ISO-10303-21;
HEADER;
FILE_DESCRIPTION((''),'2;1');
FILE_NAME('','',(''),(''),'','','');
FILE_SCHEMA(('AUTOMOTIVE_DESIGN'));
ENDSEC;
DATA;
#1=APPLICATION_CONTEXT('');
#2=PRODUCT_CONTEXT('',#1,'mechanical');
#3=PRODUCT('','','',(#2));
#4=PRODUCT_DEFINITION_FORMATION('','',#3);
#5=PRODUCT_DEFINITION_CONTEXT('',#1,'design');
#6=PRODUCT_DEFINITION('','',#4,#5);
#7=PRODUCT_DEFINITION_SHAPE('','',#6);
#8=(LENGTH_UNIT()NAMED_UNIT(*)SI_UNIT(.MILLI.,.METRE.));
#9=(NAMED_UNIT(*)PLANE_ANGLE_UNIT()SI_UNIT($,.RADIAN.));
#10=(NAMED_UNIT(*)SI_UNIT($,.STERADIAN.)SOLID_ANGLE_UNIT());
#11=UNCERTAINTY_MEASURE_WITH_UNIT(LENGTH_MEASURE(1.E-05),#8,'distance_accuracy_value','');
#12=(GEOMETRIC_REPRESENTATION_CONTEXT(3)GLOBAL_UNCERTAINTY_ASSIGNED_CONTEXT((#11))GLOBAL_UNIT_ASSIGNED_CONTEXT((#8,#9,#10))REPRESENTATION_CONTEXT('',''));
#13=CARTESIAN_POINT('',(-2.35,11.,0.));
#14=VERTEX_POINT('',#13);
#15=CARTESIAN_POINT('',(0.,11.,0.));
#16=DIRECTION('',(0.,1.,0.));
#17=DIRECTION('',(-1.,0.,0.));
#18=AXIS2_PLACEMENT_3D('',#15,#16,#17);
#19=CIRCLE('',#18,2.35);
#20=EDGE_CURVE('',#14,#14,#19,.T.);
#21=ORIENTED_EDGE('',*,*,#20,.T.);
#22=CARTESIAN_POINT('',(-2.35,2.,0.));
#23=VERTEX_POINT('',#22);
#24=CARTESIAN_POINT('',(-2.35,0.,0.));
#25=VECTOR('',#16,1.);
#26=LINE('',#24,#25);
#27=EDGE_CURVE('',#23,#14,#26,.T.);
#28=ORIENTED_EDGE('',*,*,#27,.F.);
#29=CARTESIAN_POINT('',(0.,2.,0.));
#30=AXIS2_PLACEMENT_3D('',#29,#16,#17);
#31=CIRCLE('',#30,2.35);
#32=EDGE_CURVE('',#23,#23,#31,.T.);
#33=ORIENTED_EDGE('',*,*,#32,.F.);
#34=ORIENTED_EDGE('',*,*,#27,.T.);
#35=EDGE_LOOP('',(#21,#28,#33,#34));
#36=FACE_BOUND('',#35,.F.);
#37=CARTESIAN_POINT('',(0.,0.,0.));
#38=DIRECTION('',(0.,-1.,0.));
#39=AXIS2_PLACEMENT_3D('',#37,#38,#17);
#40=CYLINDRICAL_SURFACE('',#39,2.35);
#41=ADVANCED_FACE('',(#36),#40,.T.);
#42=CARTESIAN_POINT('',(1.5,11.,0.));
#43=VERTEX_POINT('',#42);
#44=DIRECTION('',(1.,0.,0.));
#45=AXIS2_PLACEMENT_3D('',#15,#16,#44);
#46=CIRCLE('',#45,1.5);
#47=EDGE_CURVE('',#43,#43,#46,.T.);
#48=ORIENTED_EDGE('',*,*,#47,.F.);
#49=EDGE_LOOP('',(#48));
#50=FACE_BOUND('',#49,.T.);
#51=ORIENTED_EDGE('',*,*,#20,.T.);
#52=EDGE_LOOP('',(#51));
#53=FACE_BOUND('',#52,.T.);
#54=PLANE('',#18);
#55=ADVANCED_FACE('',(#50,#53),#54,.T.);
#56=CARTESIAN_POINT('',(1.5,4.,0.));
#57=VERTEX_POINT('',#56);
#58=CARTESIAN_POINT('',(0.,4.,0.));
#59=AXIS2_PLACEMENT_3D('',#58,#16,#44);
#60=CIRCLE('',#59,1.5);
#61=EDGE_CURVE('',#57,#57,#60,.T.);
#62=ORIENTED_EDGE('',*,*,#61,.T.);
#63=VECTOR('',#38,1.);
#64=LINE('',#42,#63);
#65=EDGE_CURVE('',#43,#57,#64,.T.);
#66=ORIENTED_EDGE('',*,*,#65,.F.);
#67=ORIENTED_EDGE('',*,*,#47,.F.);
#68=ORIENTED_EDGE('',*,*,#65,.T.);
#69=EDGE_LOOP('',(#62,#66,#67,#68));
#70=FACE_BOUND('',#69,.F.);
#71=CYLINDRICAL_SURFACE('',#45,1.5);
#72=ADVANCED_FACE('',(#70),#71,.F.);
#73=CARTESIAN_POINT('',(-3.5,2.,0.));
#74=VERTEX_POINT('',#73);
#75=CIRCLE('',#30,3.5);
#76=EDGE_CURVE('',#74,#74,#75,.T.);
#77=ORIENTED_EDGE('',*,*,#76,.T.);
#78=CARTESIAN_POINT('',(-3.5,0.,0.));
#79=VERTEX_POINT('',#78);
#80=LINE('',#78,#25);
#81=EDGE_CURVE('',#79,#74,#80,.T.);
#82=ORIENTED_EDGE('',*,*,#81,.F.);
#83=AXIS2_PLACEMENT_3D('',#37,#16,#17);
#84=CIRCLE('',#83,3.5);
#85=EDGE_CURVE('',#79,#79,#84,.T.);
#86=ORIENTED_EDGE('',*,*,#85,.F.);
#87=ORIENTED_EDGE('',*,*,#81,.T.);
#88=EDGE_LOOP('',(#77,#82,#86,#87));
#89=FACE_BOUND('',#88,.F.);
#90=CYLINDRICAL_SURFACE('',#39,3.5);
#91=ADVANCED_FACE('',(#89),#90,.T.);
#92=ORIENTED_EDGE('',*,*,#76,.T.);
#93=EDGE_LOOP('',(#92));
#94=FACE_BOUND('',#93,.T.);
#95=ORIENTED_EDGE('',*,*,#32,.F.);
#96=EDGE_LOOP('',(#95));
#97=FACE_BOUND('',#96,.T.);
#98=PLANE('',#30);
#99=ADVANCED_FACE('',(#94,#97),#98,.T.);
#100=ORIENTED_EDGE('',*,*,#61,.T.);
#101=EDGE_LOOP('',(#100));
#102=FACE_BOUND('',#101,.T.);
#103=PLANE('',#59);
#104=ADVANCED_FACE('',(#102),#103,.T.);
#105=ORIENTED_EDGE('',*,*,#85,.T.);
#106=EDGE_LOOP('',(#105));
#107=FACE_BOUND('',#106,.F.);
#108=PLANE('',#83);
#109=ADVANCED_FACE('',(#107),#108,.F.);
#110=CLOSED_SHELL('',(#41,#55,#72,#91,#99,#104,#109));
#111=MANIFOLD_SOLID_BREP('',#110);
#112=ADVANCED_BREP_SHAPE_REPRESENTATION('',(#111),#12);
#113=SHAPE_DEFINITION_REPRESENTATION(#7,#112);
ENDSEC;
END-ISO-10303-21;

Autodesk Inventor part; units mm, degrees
ref_plane "YZ Plane" through (0, 0, 0) normal (1, 0, 0) x (0, 1, 0)
ref_plane "XZ Plane" through (0, 0, 0) normal (0, 1, 0) x (-1, 0, 0)
ref_plane "XY Plane" through (0, 0, 0) normal (0, 0, 1) x (1, 0, 0)
sketch "Sketch1" plane through (0, 0, 0) normal (0, 1, 0) x (-1, 0, 0)
  circle A0 centre (0, 0) radius 3.5
  circle A1 centre (0, 0) radius 2.35
  dimension "d0" = 7
  dimension "d1" = 4.7
extrude "Extrusion1" add sketch "Sketch1" along normal blind 11 contours A1
extrude "Extrusion2" add sketch "Sketch1" along normal blind 2
sketch "Sketch2" plane through (0, 11, 0) normal (0, 1, 0) x (1, 0, 0)
  circle A0 centre (0, 0) radius 1.5
  dimension "d6" = 3
extrude "Extrusion3" cut sketch "Sketch2" against normal blind 7
properties part number "Locker1_3DPrint"
